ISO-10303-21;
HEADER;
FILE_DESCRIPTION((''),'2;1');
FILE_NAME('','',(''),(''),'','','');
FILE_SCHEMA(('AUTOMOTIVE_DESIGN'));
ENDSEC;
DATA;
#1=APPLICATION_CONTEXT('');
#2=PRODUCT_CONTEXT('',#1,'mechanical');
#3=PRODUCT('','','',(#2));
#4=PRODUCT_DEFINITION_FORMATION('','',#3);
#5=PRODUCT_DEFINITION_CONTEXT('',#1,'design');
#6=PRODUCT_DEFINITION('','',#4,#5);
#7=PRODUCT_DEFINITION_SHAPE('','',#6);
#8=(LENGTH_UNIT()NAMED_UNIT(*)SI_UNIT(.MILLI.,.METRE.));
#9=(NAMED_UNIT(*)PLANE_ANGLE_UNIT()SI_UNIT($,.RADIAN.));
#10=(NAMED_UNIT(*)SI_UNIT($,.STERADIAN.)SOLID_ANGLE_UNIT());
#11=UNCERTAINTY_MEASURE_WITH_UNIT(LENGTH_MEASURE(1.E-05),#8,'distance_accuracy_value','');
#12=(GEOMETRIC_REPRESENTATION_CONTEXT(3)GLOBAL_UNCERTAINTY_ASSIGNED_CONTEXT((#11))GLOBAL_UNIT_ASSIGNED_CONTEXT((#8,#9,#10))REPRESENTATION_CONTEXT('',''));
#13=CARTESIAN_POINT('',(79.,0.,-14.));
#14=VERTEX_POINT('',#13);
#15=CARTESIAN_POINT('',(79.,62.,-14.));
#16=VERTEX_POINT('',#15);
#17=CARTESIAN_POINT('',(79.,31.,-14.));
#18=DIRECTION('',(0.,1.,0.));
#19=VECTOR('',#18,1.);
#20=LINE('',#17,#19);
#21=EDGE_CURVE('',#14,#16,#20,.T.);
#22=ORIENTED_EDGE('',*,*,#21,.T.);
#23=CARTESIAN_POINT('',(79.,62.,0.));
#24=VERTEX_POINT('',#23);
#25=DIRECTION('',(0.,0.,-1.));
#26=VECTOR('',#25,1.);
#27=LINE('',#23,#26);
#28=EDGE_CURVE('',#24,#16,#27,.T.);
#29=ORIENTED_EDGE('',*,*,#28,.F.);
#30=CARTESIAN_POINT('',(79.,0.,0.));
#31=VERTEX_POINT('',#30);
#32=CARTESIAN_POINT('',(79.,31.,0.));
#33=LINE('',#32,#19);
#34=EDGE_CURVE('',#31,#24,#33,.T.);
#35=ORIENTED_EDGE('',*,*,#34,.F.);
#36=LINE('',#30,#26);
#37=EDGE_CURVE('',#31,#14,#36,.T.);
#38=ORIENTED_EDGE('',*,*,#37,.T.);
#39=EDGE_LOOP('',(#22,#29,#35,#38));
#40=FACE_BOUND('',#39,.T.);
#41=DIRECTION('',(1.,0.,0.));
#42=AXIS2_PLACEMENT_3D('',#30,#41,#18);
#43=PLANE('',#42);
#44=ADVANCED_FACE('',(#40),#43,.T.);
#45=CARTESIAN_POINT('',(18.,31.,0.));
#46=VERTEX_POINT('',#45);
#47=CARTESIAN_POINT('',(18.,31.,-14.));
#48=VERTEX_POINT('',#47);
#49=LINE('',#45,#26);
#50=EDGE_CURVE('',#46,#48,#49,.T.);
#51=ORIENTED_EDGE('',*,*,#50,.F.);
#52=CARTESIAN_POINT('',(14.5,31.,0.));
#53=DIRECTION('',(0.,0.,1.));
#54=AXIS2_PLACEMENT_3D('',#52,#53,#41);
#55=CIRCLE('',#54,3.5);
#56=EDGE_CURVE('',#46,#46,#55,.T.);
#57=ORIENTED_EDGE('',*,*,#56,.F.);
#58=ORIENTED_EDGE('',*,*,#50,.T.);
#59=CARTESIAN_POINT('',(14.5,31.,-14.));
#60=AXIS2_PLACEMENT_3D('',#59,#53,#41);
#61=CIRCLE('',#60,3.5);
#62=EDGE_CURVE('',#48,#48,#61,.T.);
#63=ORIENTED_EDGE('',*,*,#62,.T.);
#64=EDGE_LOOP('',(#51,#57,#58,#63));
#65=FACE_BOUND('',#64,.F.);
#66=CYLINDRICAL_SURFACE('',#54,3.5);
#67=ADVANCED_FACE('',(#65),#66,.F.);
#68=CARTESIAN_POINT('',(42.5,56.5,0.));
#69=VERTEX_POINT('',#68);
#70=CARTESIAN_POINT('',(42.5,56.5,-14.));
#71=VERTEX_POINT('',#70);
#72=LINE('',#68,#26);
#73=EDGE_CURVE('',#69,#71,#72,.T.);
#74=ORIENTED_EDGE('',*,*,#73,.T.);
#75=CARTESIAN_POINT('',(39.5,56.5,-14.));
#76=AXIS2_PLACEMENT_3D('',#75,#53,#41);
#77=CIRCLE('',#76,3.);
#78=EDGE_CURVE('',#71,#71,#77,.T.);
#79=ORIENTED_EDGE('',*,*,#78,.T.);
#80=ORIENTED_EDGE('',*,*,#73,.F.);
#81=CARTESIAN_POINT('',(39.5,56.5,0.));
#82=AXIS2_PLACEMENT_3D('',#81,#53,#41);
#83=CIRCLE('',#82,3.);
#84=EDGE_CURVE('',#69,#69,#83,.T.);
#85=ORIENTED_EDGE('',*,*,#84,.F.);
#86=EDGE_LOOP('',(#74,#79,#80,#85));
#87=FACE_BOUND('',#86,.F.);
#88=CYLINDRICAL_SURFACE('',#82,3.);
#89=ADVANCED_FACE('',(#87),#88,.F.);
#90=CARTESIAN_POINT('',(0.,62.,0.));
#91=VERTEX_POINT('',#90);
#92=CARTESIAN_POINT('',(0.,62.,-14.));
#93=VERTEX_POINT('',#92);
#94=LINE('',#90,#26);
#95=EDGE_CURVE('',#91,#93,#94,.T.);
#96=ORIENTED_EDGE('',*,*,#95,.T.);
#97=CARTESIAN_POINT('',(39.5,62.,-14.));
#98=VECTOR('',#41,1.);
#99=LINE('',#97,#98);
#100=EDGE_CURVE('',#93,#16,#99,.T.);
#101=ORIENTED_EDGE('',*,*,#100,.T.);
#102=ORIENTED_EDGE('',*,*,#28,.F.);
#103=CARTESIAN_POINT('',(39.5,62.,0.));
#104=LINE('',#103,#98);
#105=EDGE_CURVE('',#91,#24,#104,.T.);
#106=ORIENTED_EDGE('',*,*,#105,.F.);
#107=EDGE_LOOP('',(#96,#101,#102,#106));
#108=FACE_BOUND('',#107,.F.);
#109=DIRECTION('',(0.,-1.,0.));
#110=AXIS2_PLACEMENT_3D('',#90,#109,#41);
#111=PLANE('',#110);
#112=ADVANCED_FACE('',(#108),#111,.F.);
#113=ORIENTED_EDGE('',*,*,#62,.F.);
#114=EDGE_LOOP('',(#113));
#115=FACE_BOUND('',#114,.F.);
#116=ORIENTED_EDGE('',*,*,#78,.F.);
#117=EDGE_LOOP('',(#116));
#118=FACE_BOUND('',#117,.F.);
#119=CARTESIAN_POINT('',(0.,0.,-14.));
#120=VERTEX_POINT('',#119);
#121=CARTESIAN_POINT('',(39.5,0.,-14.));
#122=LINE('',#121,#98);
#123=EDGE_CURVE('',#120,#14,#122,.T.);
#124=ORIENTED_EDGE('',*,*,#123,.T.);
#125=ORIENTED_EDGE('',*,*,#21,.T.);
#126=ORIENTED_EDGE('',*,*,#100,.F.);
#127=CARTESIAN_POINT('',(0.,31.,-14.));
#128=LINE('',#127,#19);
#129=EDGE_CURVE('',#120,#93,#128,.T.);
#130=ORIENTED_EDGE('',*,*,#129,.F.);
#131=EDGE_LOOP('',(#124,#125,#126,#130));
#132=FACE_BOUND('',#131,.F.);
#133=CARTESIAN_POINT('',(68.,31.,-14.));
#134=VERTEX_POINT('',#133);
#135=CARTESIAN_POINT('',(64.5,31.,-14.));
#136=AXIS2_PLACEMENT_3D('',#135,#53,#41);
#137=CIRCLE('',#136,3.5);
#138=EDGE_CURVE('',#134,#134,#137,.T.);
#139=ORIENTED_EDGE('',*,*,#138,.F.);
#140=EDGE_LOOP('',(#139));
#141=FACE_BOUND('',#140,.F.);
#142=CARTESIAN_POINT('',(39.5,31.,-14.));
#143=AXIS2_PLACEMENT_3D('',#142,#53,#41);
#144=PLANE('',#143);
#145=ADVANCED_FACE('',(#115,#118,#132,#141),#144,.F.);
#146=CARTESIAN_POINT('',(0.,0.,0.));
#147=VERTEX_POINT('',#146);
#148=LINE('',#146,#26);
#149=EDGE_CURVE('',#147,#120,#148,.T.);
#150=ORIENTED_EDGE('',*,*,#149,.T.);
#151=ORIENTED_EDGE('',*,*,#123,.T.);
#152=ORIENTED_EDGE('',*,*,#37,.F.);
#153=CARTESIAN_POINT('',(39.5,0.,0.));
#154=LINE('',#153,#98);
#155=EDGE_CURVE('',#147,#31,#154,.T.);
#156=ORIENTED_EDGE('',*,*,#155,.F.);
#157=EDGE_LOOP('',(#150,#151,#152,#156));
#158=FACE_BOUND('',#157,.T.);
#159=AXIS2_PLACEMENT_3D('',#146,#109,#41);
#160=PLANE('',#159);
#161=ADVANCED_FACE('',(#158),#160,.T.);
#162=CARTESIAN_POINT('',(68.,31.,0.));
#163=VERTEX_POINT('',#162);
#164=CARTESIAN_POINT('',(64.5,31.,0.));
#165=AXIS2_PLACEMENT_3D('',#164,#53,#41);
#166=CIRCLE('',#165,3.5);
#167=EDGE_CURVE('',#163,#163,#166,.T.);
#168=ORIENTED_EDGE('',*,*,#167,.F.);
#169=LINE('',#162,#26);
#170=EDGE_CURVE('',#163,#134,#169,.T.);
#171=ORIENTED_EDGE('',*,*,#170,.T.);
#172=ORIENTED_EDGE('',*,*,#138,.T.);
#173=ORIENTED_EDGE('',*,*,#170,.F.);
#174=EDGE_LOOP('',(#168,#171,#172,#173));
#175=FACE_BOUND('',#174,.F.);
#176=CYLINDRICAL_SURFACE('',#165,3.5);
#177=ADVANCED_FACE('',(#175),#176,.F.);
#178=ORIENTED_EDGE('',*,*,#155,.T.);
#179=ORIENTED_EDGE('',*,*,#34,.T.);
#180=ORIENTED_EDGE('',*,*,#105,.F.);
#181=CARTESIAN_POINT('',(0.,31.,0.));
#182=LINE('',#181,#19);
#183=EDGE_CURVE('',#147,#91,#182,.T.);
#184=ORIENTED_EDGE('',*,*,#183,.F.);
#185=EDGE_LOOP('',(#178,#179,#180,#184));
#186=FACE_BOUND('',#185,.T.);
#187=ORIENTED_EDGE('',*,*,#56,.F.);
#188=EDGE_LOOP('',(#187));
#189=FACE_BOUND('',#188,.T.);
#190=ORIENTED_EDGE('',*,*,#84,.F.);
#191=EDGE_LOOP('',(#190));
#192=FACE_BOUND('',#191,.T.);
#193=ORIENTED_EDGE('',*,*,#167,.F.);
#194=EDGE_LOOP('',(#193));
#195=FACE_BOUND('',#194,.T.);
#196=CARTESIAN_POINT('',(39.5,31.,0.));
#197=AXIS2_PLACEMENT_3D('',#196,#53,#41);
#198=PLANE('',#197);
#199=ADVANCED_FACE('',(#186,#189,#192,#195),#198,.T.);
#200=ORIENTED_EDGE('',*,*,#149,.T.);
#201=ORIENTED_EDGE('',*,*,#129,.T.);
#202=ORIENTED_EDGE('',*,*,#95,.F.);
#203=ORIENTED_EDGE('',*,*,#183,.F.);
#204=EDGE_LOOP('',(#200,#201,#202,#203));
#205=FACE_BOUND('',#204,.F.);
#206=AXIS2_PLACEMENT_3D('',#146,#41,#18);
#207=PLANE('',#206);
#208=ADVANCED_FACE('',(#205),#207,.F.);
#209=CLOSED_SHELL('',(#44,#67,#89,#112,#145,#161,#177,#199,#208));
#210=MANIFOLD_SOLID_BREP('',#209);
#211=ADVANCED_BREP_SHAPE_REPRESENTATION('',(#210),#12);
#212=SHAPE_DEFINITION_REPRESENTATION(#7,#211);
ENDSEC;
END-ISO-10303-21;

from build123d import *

# Parameters (mm, degrees)
F0_W     = 79
F0_H     = 62
F2_DEPTH = 14
F1_R     = 3.5
F1_R_2   = 3
F3_DEPTH = 14.001


with BuildPart() as f2:
    # F0 (on Top) → F2 (new body)
    with BuildSketch(Plane.XY):
        with Locations((39.5, 31)):
            Rectangle(F0_W, F0_H)
    extrude(amount=-F2_DEPTH)

    # F1 (on face) → F3 (cut, through all)
    with BuildSketch(Plane.XY):
        with Locations((14.5, 31)):
            Circle(F1_R)
        with Locations((39.5, 56.5)):
            Circle(F1_R_2)
        with Locations((64.5, 31)):
            Circle(F1_R)
    extrude(amount=-F3_DEPTH, mode=Mode.SUBTRACT)


solid = f2.part
